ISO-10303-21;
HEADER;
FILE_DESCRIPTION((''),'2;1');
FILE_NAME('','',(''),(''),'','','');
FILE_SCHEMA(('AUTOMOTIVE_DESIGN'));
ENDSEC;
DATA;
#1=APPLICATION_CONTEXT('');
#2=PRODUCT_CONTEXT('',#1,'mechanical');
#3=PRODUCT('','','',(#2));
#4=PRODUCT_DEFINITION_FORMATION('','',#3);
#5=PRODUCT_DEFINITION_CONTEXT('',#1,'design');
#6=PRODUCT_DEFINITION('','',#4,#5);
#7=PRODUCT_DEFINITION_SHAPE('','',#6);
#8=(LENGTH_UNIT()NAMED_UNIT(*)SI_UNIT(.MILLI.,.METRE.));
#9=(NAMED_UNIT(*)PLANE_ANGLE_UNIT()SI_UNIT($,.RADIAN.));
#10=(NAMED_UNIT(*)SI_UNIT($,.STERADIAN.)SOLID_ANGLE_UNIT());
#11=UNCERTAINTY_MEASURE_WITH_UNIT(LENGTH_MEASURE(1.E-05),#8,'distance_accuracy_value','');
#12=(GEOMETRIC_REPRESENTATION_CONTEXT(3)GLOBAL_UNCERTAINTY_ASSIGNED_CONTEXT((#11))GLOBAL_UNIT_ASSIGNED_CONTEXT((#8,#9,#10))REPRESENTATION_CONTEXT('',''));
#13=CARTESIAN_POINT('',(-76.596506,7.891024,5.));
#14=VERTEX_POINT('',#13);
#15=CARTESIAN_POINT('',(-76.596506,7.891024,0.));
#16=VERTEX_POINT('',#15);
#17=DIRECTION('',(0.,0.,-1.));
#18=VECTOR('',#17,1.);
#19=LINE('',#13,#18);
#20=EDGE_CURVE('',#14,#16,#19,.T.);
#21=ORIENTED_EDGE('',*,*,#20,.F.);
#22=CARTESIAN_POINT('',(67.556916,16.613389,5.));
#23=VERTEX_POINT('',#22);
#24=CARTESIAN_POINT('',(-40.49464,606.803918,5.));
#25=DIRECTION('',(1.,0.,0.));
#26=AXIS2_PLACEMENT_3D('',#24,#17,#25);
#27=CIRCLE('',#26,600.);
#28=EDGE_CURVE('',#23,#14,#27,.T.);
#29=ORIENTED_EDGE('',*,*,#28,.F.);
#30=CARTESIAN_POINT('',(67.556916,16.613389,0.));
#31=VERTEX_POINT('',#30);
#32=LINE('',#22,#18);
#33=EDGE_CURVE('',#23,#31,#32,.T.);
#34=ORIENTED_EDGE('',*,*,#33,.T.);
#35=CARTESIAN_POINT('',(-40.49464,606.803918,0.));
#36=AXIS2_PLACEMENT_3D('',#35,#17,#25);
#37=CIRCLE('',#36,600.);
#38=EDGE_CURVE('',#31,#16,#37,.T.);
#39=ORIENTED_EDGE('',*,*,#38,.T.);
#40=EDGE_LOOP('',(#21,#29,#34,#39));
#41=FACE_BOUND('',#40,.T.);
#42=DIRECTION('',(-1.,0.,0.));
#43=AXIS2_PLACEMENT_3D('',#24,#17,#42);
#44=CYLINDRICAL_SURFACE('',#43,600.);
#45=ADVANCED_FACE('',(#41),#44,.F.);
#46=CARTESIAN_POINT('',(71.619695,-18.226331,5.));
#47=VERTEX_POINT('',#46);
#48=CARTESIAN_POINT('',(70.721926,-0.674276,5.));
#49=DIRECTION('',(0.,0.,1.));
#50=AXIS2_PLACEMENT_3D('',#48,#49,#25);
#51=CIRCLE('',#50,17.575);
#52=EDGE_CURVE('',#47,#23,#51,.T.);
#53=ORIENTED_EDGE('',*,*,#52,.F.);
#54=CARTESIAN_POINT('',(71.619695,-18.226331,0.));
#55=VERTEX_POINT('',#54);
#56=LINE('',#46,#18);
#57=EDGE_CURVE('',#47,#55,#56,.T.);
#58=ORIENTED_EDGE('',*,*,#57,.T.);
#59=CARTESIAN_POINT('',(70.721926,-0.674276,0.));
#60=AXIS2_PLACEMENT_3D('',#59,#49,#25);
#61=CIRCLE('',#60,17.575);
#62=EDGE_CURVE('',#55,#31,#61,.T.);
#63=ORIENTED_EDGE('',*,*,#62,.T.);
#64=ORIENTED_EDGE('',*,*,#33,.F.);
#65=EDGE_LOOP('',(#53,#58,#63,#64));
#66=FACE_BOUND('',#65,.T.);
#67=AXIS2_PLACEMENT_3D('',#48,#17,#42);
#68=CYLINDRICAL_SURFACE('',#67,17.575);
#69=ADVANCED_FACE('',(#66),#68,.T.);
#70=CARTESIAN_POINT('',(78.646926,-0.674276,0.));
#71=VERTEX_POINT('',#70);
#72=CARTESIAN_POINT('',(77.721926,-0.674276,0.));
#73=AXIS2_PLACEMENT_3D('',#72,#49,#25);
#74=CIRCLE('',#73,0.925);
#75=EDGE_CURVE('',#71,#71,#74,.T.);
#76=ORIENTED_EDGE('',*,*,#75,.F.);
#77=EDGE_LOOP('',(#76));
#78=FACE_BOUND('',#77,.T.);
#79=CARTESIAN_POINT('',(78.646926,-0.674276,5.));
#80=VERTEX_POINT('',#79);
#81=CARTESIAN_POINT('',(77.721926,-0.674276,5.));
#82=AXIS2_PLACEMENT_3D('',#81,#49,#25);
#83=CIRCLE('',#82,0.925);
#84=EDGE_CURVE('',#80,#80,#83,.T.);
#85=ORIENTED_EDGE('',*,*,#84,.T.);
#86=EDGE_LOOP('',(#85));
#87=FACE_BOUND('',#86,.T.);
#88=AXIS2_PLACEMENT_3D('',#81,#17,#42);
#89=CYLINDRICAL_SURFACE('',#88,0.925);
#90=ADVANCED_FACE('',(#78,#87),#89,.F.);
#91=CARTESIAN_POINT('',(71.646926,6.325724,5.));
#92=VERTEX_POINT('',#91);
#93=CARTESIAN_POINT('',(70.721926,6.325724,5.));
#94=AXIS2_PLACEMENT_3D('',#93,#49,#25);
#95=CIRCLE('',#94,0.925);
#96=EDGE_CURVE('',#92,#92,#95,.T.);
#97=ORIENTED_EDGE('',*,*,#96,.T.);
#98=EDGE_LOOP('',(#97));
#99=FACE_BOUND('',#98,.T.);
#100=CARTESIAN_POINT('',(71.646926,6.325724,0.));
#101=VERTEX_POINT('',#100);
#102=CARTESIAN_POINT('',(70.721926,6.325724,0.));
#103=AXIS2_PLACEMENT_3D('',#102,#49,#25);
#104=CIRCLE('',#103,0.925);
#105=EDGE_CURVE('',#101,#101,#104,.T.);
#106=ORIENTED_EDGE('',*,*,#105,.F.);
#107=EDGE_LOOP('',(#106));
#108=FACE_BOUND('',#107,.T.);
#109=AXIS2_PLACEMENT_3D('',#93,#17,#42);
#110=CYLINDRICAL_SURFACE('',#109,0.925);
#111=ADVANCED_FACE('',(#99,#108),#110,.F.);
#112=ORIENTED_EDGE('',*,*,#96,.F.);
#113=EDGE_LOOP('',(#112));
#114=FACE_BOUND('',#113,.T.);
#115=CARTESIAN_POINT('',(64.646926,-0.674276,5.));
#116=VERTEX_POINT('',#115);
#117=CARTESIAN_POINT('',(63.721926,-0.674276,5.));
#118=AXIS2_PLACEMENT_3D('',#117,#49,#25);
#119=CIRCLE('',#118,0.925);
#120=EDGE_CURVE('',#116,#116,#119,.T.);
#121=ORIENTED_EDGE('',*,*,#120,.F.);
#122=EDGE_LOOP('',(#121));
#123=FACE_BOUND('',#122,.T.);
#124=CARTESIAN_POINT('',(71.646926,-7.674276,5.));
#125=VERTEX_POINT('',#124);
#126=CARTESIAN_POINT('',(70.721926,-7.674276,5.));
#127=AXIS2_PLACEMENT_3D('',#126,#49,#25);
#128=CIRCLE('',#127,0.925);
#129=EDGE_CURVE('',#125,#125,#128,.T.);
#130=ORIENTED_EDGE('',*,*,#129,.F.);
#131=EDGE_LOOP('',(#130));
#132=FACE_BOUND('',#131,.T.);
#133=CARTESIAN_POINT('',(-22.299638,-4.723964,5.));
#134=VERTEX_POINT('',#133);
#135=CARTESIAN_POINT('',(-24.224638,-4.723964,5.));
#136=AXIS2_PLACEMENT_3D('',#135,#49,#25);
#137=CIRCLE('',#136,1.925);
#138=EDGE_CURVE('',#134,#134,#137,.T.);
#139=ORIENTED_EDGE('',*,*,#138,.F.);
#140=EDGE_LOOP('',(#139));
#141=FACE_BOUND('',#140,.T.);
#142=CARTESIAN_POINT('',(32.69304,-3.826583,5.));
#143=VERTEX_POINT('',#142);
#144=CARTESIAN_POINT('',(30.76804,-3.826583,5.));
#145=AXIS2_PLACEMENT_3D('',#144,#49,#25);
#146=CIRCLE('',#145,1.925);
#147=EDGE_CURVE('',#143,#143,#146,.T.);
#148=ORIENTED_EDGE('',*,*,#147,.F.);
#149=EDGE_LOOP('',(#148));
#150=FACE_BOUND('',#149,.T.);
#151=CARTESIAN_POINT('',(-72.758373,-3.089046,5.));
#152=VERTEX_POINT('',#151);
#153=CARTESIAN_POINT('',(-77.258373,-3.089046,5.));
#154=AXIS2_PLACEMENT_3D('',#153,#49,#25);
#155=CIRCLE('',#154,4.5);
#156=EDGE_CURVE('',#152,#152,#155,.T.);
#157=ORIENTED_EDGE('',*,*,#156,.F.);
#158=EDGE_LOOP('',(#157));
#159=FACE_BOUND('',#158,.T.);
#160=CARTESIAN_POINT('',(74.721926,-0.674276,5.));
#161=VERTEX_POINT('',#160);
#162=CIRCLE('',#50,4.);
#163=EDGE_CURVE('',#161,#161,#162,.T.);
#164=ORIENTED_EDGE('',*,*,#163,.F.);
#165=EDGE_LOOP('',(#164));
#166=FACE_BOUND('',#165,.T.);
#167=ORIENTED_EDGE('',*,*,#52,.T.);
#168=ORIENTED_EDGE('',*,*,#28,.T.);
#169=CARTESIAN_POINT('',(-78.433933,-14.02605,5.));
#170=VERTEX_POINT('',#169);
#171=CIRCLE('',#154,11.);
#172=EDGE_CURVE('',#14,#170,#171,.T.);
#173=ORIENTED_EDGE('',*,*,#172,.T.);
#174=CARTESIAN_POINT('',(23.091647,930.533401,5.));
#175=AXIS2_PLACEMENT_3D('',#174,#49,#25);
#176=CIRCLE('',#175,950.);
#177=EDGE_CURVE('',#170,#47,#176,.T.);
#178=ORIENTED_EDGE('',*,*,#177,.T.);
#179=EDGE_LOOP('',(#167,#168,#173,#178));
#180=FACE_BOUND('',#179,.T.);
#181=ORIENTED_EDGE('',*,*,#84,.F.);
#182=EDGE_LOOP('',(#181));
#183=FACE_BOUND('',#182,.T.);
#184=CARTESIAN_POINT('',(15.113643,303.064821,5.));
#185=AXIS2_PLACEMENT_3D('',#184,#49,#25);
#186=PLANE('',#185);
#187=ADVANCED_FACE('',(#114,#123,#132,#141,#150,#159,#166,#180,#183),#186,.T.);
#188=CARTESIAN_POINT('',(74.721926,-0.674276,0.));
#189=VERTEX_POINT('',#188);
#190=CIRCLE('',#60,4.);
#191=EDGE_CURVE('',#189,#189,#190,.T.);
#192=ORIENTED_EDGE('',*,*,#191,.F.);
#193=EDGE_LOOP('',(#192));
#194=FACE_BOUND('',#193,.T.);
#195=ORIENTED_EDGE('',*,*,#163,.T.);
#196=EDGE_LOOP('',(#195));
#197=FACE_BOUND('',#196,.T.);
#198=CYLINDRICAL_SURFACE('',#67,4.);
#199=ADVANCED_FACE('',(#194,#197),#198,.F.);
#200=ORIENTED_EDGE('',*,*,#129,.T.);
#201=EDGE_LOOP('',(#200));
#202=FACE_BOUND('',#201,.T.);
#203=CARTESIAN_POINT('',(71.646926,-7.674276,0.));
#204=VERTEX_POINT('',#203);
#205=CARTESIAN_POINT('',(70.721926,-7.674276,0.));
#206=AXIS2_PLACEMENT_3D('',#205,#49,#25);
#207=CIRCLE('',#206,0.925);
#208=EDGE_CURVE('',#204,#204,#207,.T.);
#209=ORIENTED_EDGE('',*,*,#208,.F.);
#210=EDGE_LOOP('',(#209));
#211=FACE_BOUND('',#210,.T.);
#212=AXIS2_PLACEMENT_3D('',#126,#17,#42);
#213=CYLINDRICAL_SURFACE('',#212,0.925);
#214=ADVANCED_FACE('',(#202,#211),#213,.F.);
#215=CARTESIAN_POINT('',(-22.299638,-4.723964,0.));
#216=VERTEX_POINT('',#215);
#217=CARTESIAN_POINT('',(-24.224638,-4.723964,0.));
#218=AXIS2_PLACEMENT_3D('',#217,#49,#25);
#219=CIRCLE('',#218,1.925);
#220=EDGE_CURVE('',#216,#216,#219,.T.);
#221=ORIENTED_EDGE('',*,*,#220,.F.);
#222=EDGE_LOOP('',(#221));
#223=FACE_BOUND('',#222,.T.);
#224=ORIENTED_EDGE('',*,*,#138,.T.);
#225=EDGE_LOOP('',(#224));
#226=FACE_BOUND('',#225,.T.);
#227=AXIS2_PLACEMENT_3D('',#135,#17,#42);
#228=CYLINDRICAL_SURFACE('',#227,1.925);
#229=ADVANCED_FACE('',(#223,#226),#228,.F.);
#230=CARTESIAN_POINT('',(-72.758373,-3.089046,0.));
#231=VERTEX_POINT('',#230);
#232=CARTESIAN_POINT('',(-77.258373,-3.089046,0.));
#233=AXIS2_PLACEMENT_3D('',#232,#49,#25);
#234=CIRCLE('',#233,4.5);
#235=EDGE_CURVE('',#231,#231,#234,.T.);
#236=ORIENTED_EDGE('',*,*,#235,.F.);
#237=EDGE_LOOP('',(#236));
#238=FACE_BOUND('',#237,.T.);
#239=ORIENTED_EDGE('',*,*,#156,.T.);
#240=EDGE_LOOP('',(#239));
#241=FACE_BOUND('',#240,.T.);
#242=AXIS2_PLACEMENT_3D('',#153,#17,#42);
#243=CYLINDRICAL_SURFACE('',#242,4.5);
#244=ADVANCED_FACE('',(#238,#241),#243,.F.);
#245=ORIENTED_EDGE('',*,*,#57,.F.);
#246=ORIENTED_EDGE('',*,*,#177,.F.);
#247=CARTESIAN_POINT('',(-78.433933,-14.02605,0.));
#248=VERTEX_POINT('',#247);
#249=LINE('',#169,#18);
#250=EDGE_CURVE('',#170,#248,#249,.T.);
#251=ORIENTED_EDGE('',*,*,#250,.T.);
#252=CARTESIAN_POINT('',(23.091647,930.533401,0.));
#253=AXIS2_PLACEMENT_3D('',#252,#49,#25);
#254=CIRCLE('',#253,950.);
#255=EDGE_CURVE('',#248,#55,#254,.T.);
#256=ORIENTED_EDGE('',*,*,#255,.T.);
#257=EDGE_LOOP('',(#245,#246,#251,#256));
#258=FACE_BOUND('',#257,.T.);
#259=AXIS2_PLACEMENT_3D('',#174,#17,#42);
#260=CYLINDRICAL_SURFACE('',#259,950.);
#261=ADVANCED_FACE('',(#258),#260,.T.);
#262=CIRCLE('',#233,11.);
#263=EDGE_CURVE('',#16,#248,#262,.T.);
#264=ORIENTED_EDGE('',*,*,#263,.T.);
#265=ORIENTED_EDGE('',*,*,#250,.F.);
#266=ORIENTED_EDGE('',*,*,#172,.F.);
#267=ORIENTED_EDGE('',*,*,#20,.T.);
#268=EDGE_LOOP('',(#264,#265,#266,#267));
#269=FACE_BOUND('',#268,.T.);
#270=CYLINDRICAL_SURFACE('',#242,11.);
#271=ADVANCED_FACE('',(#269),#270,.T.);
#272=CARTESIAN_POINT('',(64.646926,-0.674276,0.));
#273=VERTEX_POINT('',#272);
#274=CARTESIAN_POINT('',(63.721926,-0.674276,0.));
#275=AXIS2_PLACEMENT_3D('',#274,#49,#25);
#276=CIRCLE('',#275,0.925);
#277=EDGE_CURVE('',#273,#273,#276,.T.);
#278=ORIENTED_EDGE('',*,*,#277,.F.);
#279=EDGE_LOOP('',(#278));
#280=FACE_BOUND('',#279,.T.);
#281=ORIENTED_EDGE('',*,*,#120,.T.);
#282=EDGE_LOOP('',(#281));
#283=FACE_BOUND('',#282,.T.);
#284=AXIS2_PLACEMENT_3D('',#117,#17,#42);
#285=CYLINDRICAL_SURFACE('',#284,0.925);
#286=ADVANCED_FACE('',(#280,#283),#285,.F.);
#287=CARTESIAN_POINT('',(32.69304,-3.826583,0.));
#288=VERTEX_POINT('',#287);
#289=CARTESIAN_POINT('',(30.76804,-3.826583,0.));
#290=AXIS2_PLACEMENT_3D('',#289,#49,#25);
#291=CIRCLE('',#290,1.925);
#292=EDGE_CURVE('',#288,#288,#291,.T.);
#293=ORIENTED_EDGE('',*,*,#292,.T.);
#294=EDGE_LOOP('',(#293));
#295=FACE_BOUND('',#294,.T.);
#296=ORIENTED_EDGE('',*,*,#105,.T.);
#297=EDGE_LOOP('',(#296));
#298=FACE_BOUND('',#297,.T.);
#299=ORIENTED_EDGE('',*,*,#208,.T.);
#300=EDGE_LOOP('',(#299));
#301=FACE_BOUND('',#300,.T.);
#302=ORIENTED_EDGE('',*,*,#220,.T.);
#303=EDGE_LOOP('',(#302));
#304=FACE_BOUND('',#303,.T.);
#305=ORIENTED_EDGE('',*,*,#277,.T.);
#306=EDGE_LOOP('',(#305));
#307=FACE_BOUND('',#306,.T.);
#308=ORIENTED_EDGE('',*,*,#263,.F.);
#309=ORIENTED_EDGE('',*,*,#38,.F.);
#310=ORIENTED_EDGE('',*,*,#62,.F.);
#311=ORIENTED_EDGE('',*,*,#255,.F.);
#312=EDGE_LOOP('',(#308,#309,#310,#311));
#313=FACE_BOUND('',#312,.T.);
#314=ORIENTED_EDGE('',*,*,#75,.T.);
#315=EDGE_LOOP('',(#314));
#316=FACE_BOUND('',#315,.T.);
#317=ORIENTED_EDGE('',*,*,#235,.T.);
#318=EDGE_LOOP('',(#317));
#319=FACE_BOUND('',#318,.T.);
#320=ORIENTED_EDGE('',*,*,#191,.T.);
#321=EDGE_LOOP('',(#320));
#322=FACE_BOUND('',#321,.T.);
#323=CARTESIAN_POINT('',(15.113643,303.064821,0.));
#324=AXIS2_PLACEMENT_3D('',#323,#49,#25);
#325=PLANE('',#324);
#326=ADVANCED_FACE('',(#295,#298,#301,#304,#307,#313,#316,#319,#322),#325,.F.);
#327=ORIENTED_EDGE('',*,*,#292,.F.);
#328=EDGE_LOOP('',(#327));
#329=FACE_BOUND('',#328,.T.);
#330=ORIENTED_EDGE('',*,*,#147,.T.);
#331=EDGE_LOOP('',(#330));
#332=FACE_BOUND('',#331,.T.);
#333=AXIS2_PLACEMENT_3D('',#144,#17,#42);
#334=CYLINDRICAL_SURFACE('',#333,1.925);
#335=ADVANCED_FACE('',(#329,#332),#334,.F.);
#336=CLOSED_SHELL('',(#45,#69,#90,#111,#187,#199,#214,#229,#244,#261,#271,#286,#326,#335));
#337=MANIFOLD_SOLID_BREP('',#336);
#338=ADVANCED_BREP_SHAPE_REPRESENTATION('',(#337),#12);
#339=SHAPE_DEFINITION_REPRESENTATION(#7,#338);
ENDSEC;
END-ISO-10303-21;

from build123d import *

# Parameters (mm, degrees)
ESQUISSE1_R        = 1.925
ESQUISSE1_R_2      = 0.925
ESQUISSE1_R_3      = 4
ESQUISSE1_R_4      = 4.5
BOSS_EXTRU_1_DEPTH = 5


with BuildPart() as part:
    # Esquisse1 → Boss.-Extru.1 (new body)
    with BuildSketch(Plane.XY):
        with BuildLine():
            ThreePointArc((-76.596505759, 7.891023923), (-88.219919815, -2.170080062), (-78.433932641, -14.026049982))
            ThreePointArc((-78.433932641, -14.026049982), (-4.607074536, -19.062713423), (69.387841086, -18.337855841))
            ThreePointArc((69.387841086, -18.337855841), (70.503800614, -18.28274944), (71.619694559, -18.226330568))
            ThreePointArc((71.619694559, -18.226330568), (88.178632292, 1.361410834), (67.556915532, 16.613388736))
            ThreePointArc((67.556915532, 16.613388736), (-4.256409128, 7.899259424), (-76.596505759, 7.891023923))
        make_face()
        with Locations((30.768040312, -3.82658336)):
            Circle(ESQUISSE1_R, mode=Mode.SUBTRACT)
        with Locations((-24.224638361, -4.723964207)):
            Circle(ESQUISSE1_R, mode=Mode.SUBTRACT)
        with Locations((77.721925672, -0.674275531)):
            Circle(ESQUISSE1_R_2, mode=Mode.SUBTRACT)
        with Locations((70.721925672, -7.674275531)):
            Circle(ESQUISSE1_R_2, mode=Mode.SUBTRACT)
        with Locations((63.721925672, -0.674275531)):
            Circle(ESQUISSE1_R_2, mode=Mode.SUBTRACT)
        with Locations((70.721925672, 6.325724469)):
            Circle(ESQUISSE1_R_2, mode=Mode.SUBTRACT)
        with Locations((70.721925672, -0.674275531)):
            Circle(ESQUISSE1_R_3, mode=Mode.SUBTRACT)
        with Locations((-77.258373302, -3.089045811)):
            Circle(ESQUISSE1_R_4, mode=Mode.SUBTRACT)
    extrude(amount=BOSS_EXTRU_1_DEPTH)


solid = part.part
